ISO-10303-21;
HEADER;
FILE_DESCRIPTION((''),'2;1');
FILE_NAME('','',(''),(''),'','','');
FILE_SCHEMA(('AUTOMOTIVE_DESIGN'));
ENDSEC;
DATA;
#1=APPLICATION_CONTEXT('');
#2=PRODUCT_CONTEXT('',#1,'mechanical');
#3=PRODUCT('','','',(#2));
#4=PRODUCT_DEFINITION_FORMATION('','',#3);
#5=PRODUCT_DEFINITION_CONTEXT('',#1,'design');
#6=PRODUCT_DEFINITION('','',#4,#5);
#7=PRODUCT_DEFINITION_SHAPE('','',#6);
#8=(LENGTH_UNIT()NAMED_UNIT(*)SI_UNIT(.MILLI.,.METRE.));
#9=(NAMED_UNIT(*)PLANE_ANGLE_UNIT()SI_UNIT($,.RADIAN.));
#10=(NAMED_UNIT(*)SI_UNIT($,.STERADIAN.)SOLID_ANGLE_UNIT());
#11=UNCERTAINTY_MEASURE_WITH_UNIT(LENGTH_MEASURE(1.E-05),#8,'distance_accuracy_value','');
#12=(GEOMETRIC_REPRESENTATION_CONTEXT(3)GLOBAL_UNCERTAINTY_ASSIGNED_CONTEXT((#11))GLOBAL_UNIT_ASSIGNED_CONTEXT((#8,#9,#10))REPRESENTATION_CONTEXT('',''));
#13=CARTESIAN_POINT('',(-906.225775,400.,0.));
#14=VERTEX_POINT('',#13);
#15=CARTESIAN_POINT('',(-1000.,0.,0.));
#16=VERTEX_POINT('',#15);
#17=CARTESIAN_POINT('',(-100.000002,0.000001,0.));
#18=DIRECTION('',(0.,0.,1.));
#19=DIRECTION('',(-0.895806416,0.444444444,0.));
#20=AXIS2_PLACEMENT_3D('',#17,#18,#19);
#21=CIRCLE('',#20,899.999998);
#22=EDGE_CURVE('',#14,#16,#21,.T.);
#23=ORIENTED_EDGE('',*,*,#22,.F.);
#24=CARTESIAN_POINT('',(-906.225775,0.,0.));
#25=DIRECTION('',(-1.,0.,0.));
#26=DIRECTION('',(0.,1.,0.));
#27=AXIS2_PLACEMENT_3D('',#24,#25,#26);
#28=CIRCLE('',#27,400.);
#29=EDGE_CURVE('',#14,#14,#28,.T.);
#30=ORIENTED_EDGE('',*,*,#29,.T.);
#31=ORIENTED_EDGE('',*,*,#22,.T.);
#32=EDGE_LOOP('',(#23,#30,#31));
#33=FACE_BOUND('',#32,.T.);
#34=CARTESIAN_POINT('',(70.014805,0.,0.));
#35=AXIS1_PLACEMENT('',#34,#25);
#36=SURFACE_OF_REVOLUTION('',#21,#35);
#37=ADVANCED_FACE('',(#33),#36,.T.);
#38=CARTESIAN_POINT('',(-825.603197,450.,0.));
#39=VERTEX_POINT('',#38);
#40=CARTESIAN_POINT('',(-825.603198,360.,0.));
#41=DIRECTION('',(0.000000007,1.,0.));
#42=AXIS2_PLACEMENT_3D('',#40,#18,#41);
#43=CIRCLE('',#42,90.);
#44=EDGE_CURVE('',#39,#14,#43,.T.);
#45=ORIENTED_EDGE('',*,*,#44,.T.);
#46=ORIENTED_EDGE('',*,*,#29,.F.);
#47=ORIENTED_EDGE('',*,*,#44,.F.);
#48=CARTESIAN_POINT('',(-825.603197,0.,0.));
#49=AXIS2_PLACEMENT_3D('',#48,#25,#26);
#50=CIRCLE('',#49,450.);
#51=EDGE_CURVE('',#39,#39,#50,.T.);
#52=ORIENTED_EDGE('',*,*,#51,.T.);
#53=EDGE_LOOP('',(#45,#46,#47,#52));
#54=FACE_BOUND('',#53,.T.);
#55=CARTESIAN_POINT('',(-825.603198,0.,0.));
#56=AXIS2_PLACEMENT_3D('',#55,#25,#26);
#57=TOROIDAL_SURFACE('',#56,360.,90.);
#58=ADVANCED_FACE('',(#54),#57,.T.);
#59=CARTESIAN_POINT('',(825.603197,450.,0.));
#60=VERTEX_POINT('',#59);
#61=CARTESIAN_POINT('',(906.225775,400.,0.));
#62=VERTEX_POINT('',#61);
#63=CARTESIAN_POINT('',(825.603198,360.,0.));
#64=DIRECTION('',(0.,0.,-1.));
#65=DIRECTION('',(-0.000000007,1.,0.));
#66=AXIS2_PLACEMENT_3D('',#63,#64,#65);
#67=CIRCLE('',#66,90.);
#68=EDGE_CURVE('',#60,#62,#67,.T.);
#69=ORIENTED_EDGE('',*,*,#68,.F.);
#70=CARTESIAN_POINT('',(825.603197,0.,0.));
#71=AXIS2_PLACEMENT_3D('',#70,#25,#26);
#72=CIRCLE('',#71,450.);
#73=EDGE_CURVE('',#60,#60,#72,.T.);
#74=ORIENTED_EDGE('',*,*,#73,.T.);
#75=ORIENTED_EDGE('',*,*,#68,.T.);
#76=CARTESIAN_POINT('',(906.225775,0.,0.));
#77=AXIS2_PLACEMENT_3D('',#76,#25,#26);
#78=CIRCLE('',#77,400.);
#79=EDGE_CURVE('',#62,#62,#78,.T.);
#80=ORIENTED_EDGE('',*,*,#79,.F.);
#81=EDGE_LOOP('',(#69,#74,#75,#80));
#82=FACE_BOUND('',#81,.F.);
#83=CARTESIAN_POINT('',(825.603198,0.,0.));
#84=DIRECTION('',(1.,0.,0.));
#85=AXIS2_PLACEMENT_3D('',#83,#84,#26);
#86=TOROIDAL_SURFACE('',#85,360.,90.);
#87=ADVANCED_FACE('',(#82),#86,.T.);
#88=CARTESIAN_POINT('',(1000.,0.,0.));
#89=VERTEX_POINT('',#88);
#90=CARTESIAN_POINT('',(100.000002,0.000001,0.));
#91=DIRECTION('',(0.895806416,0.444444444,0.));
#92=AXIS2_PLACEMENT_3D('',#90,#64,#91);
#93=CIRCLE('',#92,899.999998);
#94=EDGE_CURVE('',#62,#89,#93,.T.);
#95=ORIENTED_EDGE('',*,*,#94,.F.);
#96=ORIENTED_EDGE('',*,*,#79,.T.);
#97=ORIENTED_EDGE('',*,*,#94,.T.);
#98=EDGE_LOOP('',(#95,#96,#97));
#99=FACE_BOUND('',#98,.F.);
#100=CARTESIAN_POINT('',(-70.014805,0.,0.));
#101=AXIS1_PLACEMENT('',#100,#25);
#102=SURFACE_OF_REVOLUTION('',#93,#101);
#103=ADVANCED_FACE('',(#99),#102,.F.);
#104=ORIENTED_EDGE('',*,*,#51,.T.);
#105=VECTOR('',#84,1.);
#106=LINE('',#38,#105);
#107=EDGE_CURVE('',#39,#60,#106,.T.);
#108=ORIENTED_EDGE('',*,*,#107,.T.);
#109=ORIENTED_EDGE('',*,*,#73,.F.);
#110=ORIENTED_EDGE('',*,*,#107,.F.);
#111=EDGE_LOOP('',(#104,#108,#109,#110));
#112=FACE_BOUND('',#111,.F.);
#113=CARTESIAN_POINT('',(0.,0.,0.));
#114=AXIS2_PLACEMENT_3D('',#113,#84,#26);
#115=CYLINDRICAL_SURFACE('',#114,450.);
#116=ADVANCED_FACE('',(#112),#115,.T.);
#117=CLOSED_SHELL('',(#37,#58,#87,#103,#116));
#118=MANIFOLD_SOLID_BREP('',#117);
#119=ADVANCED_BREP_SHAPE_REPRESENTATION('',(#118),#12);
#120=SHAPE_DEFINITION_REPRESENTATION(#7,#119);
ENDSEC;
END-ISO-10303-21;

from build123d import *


with BuildPart() as f1:
    # F0 (on Top) → F1 (revolve)
    with BuildSketch(Plane.XY):
        with BuildLine():
            Line((0, 0), (0, 450))
            Line((0, 450), (-825.603197, 450))
            ThreePointArc((-825.603197, 450), (-873.037362, 436.485293), (-906.225775, 400))
            ThreePointArc((-906.225775, 400), (-976.242888, 205.422495), (-1000, 0))
            Line((-1000, 0), (0, 0))
        make_face()
    revolve(axis=Axis((70.014805, 0, 0), (-1, 0, 0)))

    # F2: F1 across face


with BuildPart() as f1_1:
    add(f1.part)
    add(f1.part.mirror(Plane.YZ))


solid = f1_1.part
